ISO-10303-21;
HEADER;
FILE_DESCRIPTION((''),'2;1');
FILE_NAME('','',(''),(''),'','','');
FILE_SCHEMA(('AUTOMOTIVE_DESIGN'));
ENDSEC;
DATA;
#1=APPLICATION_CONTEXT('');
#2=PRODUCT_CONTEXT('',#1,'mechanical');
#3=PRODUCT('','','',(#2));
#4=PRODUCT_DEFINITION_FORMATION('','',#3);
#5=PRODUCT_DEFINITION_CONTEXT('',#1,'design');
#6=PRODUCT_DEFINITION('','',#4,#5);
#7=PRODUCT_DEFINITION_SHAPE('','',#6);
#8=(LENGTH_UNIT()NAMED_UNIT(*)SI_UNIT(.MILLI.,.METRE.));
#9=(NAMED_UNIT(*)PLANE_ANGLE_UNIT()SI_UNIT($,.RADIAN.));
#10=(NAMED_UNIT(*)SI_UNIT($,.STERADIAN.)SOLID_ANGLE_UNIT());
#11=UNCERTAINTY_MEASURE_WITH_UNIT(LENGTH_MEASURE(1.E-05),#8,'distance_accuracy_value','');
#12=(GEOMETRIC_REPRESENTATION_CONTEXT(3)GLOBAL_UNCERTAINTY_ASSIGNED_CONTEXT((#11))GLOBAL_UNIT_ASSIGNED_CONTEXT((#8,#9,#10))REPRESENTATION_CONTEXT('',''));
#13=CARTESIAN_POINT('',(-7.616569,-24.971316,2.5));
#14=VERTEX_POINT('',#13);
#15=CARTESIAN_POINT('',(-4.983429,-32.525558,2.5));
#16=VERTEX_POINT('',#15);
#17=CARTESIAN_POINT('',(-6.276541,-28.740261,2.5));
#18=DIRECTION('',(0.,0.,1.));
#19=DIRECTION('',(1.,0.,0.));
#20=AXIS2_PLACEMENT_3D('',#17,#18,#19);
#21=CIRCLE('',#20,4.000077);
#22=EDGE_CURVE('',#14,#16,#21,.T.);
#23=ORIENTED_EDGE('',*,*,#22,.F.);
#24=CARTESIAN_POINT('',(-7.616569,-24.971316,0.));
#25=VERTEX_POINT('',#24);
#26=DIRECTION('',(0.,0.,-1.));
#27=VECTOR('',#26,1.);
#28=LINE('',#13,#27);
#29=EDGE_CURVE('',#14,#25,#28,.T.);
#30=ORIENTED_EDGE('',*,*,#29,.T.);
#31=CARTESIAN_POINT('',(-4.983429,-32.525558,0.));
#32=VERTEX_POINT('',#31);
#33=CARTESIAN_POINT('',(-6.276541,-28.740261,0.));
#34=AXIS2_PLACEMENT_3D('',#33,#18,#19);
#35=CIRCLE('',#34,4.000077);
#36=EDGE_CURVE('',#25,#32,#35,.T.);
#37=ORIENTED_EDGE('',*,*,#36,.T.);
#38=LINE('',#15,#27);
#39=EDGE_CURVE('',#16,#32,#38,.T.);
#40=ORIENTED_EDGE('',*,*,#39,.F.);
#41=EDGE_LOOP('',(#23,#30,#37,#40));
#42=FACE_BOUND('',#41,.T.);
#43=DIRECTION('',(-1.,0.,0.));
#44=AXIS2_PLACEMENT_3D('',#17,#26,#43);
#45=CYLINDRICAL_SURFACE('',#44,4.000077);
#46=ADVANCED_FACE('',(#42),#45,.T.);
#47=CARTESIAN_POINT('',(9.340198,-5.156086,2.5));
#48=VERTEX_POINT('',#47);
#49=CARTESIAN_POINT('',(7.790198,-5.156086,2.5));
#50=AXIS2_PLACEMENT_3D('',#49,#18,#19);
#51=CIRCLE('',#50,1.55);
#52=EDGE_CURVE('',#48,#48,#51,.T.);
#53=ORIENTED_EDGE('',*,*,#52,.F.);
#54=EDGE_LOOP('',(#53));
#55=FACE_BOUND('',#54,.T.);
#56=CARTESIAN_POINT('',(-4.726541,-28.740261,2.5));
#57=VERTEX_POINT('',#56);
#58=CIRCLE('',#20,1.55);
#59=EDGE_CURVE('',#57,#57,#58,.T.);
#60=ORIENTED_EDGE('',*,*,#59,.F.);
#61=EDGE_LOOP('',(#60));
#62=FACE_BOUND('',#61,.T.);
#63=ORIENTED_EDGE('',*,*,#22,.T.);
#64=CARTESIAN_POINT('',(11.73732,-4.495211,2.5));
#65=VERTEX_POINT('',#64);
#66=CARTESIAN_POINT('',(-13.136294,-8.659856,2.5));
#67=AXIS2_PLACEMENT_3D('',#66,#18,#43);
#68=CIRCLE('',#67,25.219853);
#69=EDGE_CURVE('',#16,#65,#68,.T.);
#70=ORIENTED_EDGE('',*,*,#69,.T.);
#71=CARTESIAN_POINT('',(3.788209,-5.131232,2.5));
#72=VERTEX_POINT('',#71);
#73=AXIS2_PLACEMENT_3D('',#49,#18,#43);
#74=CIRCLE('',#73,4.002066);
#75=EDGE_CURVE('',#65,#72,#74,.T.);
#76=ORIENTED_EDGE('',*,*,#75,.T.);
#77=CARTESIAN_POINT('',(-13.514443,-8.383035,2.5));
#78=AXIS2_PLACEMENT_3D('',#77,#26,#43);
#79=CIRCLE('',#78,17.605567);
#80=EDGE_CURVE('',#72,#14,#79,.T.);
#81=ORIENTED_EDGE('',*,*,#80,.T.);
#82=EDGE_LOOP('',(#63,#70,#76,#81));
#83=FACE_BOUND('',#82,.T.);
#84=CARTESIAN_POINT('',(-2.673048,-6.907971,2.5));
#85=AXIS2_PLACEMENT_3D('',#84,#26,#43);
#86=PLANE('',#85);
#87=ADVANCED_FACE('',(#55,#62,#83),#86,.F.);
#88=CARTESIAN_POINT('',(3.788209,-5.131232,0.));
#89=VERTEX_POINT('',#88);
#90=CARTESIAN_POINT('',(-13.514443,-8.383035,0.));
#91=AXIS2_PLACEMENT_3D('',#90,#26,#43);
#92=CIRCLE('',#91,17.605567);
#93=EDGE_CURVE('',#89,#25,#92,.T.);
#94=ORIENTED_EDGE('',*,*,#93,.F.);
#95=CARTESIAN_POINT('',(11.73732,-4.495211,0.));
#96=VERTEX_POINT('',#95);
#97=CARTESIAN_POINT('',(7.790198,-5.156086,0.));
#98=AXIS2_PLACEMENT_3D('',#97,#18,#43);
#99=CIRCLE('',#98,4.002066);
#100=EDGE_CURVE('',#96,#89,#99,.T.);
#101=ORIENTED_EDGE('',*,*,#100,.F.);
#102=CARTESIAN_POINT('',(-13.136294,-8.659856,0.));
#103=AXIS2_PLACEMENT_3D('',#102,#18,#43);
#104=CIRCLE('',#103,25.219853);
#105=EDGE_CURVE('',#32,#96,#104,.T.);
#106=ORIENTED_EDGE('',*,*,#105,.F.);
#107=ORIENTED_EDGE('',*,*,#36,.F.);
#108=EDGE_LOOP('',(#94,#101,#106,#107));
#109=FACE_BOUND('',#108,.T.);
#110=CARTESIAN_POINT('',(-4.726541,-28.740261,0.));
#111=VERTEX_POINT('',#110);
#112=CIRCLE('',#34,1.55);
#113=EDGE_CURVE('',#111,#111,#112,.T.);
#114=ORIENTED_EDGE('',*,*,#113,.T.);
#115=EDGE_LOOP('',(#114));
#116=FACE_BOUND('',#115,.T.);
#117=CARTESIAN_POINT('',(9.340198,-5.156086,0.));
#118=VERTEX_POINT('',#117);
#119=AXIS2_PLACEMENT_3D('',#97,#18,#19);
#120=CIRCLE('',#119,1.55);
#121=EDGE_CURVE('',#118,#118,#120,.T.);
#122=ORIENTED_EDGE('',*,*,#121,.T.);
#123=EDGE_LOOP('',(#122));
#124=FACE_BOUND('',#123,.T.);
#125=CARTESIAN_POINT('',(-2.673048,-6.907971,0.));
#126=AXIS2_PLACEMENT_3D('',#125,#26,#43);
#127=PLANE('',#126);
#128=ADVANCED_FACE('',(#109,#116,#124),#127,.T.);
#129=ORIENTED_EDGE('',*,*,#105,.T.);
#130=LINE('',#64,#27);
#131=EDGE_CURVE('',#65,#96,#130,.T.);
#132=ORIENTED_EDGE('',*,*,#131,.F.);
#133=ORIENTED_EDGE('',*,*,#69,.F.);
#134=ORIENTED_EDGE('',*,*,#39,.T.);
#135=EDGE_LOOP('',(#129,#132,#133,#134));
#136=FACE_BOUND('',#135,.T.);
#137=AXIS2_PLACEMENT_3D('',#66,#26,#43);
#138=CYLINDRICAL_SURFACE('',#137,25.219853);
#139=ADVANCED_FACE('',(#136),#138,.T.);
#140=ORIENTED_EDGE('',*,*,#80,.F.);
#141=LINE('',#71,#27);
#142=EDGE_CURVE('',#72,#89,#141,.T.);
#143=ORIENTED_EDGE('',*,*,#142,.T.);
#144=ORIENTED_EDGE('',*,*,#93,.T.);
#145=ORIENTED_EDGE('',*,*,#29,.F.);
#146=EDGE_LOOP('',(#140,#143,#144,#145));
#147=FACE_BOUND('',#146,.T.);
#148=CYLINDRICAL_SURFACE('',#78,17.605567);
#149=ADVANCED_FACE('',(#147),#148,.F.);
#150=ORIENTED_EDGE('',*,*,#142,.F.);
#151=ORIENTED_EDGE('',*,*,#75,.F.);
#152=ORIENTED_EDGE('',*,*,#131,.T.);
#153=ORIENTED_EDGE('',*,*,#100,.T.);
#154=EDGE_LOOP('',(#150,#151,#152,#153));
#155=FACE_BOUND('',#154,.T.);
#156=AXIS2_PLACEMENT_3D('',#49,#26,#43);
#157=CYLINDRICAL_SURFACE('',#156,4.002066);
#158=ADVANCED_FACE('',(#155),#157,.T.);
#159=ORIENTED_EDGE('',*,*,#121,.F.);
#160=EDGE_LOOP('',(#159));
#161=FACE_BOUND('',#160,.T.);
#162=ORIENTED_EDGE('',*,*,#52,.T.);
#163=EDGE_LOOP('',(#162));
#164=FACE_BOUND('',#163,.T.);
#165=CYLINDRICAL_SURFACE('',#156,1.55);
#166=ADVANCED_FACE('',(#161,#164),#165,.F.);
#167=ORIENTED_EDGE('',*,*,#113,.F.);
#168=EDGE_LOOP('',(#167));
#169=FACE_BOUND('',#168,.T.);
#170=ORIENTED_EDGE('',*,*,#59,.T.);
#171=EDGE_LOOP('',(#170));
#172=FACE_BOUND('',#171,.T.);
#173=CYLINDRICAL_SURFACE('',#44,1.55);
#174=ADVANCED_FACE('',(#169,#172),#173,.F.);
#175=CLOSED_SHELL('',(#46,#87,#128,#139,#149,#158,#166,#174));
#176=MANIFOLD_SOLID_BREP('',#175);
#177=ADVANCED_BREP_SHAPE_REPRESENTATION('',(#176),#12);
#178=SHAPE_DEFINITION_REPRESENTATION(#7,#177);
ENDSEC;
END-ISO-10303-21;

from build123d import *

# Parameters (mm, degrees)
SKETCH_1_R      = 1.55
EXTRUDE_1_DEPTH = 2.5


with BuildPart() as part:
    # 草图1 → 凸台-拉伸1 (new body)
    with BuildSketch(Plane.XY):
        with BuildLine():
            ThreePointArc((3.788209298, -5.131231863), (1.749021423, -17.157010835), (-7.616568772, -24.971316137))
            ThreePointArc((-7.616568772, -24.971316137), (-10.053734836, -30.056855863), (-4.983429041, -32.525558333))
            ThreePointArc((-4.983429041, -32.525558333), (8.522703471, -21.579947988), (11.737320259, -4.495210935))
            ThreePointArc((11.737320259, -4.495210935), (7.471006419, -1.166769732), (3.788209298, -5.131231863))
        make_face()
        with Locations((7.790197951, -5.156086427)):
            Circle(SKETCH_1_R, mode=Mode.SUBTRACT)
        with Locations((-6.276540895, -28.740260607)):
            Circle(SKETCH_1_R, mode=Mode.SUBTRACT)
    extrude(amount=EXTRUDE_1_DEPTH)


solid = part.part
